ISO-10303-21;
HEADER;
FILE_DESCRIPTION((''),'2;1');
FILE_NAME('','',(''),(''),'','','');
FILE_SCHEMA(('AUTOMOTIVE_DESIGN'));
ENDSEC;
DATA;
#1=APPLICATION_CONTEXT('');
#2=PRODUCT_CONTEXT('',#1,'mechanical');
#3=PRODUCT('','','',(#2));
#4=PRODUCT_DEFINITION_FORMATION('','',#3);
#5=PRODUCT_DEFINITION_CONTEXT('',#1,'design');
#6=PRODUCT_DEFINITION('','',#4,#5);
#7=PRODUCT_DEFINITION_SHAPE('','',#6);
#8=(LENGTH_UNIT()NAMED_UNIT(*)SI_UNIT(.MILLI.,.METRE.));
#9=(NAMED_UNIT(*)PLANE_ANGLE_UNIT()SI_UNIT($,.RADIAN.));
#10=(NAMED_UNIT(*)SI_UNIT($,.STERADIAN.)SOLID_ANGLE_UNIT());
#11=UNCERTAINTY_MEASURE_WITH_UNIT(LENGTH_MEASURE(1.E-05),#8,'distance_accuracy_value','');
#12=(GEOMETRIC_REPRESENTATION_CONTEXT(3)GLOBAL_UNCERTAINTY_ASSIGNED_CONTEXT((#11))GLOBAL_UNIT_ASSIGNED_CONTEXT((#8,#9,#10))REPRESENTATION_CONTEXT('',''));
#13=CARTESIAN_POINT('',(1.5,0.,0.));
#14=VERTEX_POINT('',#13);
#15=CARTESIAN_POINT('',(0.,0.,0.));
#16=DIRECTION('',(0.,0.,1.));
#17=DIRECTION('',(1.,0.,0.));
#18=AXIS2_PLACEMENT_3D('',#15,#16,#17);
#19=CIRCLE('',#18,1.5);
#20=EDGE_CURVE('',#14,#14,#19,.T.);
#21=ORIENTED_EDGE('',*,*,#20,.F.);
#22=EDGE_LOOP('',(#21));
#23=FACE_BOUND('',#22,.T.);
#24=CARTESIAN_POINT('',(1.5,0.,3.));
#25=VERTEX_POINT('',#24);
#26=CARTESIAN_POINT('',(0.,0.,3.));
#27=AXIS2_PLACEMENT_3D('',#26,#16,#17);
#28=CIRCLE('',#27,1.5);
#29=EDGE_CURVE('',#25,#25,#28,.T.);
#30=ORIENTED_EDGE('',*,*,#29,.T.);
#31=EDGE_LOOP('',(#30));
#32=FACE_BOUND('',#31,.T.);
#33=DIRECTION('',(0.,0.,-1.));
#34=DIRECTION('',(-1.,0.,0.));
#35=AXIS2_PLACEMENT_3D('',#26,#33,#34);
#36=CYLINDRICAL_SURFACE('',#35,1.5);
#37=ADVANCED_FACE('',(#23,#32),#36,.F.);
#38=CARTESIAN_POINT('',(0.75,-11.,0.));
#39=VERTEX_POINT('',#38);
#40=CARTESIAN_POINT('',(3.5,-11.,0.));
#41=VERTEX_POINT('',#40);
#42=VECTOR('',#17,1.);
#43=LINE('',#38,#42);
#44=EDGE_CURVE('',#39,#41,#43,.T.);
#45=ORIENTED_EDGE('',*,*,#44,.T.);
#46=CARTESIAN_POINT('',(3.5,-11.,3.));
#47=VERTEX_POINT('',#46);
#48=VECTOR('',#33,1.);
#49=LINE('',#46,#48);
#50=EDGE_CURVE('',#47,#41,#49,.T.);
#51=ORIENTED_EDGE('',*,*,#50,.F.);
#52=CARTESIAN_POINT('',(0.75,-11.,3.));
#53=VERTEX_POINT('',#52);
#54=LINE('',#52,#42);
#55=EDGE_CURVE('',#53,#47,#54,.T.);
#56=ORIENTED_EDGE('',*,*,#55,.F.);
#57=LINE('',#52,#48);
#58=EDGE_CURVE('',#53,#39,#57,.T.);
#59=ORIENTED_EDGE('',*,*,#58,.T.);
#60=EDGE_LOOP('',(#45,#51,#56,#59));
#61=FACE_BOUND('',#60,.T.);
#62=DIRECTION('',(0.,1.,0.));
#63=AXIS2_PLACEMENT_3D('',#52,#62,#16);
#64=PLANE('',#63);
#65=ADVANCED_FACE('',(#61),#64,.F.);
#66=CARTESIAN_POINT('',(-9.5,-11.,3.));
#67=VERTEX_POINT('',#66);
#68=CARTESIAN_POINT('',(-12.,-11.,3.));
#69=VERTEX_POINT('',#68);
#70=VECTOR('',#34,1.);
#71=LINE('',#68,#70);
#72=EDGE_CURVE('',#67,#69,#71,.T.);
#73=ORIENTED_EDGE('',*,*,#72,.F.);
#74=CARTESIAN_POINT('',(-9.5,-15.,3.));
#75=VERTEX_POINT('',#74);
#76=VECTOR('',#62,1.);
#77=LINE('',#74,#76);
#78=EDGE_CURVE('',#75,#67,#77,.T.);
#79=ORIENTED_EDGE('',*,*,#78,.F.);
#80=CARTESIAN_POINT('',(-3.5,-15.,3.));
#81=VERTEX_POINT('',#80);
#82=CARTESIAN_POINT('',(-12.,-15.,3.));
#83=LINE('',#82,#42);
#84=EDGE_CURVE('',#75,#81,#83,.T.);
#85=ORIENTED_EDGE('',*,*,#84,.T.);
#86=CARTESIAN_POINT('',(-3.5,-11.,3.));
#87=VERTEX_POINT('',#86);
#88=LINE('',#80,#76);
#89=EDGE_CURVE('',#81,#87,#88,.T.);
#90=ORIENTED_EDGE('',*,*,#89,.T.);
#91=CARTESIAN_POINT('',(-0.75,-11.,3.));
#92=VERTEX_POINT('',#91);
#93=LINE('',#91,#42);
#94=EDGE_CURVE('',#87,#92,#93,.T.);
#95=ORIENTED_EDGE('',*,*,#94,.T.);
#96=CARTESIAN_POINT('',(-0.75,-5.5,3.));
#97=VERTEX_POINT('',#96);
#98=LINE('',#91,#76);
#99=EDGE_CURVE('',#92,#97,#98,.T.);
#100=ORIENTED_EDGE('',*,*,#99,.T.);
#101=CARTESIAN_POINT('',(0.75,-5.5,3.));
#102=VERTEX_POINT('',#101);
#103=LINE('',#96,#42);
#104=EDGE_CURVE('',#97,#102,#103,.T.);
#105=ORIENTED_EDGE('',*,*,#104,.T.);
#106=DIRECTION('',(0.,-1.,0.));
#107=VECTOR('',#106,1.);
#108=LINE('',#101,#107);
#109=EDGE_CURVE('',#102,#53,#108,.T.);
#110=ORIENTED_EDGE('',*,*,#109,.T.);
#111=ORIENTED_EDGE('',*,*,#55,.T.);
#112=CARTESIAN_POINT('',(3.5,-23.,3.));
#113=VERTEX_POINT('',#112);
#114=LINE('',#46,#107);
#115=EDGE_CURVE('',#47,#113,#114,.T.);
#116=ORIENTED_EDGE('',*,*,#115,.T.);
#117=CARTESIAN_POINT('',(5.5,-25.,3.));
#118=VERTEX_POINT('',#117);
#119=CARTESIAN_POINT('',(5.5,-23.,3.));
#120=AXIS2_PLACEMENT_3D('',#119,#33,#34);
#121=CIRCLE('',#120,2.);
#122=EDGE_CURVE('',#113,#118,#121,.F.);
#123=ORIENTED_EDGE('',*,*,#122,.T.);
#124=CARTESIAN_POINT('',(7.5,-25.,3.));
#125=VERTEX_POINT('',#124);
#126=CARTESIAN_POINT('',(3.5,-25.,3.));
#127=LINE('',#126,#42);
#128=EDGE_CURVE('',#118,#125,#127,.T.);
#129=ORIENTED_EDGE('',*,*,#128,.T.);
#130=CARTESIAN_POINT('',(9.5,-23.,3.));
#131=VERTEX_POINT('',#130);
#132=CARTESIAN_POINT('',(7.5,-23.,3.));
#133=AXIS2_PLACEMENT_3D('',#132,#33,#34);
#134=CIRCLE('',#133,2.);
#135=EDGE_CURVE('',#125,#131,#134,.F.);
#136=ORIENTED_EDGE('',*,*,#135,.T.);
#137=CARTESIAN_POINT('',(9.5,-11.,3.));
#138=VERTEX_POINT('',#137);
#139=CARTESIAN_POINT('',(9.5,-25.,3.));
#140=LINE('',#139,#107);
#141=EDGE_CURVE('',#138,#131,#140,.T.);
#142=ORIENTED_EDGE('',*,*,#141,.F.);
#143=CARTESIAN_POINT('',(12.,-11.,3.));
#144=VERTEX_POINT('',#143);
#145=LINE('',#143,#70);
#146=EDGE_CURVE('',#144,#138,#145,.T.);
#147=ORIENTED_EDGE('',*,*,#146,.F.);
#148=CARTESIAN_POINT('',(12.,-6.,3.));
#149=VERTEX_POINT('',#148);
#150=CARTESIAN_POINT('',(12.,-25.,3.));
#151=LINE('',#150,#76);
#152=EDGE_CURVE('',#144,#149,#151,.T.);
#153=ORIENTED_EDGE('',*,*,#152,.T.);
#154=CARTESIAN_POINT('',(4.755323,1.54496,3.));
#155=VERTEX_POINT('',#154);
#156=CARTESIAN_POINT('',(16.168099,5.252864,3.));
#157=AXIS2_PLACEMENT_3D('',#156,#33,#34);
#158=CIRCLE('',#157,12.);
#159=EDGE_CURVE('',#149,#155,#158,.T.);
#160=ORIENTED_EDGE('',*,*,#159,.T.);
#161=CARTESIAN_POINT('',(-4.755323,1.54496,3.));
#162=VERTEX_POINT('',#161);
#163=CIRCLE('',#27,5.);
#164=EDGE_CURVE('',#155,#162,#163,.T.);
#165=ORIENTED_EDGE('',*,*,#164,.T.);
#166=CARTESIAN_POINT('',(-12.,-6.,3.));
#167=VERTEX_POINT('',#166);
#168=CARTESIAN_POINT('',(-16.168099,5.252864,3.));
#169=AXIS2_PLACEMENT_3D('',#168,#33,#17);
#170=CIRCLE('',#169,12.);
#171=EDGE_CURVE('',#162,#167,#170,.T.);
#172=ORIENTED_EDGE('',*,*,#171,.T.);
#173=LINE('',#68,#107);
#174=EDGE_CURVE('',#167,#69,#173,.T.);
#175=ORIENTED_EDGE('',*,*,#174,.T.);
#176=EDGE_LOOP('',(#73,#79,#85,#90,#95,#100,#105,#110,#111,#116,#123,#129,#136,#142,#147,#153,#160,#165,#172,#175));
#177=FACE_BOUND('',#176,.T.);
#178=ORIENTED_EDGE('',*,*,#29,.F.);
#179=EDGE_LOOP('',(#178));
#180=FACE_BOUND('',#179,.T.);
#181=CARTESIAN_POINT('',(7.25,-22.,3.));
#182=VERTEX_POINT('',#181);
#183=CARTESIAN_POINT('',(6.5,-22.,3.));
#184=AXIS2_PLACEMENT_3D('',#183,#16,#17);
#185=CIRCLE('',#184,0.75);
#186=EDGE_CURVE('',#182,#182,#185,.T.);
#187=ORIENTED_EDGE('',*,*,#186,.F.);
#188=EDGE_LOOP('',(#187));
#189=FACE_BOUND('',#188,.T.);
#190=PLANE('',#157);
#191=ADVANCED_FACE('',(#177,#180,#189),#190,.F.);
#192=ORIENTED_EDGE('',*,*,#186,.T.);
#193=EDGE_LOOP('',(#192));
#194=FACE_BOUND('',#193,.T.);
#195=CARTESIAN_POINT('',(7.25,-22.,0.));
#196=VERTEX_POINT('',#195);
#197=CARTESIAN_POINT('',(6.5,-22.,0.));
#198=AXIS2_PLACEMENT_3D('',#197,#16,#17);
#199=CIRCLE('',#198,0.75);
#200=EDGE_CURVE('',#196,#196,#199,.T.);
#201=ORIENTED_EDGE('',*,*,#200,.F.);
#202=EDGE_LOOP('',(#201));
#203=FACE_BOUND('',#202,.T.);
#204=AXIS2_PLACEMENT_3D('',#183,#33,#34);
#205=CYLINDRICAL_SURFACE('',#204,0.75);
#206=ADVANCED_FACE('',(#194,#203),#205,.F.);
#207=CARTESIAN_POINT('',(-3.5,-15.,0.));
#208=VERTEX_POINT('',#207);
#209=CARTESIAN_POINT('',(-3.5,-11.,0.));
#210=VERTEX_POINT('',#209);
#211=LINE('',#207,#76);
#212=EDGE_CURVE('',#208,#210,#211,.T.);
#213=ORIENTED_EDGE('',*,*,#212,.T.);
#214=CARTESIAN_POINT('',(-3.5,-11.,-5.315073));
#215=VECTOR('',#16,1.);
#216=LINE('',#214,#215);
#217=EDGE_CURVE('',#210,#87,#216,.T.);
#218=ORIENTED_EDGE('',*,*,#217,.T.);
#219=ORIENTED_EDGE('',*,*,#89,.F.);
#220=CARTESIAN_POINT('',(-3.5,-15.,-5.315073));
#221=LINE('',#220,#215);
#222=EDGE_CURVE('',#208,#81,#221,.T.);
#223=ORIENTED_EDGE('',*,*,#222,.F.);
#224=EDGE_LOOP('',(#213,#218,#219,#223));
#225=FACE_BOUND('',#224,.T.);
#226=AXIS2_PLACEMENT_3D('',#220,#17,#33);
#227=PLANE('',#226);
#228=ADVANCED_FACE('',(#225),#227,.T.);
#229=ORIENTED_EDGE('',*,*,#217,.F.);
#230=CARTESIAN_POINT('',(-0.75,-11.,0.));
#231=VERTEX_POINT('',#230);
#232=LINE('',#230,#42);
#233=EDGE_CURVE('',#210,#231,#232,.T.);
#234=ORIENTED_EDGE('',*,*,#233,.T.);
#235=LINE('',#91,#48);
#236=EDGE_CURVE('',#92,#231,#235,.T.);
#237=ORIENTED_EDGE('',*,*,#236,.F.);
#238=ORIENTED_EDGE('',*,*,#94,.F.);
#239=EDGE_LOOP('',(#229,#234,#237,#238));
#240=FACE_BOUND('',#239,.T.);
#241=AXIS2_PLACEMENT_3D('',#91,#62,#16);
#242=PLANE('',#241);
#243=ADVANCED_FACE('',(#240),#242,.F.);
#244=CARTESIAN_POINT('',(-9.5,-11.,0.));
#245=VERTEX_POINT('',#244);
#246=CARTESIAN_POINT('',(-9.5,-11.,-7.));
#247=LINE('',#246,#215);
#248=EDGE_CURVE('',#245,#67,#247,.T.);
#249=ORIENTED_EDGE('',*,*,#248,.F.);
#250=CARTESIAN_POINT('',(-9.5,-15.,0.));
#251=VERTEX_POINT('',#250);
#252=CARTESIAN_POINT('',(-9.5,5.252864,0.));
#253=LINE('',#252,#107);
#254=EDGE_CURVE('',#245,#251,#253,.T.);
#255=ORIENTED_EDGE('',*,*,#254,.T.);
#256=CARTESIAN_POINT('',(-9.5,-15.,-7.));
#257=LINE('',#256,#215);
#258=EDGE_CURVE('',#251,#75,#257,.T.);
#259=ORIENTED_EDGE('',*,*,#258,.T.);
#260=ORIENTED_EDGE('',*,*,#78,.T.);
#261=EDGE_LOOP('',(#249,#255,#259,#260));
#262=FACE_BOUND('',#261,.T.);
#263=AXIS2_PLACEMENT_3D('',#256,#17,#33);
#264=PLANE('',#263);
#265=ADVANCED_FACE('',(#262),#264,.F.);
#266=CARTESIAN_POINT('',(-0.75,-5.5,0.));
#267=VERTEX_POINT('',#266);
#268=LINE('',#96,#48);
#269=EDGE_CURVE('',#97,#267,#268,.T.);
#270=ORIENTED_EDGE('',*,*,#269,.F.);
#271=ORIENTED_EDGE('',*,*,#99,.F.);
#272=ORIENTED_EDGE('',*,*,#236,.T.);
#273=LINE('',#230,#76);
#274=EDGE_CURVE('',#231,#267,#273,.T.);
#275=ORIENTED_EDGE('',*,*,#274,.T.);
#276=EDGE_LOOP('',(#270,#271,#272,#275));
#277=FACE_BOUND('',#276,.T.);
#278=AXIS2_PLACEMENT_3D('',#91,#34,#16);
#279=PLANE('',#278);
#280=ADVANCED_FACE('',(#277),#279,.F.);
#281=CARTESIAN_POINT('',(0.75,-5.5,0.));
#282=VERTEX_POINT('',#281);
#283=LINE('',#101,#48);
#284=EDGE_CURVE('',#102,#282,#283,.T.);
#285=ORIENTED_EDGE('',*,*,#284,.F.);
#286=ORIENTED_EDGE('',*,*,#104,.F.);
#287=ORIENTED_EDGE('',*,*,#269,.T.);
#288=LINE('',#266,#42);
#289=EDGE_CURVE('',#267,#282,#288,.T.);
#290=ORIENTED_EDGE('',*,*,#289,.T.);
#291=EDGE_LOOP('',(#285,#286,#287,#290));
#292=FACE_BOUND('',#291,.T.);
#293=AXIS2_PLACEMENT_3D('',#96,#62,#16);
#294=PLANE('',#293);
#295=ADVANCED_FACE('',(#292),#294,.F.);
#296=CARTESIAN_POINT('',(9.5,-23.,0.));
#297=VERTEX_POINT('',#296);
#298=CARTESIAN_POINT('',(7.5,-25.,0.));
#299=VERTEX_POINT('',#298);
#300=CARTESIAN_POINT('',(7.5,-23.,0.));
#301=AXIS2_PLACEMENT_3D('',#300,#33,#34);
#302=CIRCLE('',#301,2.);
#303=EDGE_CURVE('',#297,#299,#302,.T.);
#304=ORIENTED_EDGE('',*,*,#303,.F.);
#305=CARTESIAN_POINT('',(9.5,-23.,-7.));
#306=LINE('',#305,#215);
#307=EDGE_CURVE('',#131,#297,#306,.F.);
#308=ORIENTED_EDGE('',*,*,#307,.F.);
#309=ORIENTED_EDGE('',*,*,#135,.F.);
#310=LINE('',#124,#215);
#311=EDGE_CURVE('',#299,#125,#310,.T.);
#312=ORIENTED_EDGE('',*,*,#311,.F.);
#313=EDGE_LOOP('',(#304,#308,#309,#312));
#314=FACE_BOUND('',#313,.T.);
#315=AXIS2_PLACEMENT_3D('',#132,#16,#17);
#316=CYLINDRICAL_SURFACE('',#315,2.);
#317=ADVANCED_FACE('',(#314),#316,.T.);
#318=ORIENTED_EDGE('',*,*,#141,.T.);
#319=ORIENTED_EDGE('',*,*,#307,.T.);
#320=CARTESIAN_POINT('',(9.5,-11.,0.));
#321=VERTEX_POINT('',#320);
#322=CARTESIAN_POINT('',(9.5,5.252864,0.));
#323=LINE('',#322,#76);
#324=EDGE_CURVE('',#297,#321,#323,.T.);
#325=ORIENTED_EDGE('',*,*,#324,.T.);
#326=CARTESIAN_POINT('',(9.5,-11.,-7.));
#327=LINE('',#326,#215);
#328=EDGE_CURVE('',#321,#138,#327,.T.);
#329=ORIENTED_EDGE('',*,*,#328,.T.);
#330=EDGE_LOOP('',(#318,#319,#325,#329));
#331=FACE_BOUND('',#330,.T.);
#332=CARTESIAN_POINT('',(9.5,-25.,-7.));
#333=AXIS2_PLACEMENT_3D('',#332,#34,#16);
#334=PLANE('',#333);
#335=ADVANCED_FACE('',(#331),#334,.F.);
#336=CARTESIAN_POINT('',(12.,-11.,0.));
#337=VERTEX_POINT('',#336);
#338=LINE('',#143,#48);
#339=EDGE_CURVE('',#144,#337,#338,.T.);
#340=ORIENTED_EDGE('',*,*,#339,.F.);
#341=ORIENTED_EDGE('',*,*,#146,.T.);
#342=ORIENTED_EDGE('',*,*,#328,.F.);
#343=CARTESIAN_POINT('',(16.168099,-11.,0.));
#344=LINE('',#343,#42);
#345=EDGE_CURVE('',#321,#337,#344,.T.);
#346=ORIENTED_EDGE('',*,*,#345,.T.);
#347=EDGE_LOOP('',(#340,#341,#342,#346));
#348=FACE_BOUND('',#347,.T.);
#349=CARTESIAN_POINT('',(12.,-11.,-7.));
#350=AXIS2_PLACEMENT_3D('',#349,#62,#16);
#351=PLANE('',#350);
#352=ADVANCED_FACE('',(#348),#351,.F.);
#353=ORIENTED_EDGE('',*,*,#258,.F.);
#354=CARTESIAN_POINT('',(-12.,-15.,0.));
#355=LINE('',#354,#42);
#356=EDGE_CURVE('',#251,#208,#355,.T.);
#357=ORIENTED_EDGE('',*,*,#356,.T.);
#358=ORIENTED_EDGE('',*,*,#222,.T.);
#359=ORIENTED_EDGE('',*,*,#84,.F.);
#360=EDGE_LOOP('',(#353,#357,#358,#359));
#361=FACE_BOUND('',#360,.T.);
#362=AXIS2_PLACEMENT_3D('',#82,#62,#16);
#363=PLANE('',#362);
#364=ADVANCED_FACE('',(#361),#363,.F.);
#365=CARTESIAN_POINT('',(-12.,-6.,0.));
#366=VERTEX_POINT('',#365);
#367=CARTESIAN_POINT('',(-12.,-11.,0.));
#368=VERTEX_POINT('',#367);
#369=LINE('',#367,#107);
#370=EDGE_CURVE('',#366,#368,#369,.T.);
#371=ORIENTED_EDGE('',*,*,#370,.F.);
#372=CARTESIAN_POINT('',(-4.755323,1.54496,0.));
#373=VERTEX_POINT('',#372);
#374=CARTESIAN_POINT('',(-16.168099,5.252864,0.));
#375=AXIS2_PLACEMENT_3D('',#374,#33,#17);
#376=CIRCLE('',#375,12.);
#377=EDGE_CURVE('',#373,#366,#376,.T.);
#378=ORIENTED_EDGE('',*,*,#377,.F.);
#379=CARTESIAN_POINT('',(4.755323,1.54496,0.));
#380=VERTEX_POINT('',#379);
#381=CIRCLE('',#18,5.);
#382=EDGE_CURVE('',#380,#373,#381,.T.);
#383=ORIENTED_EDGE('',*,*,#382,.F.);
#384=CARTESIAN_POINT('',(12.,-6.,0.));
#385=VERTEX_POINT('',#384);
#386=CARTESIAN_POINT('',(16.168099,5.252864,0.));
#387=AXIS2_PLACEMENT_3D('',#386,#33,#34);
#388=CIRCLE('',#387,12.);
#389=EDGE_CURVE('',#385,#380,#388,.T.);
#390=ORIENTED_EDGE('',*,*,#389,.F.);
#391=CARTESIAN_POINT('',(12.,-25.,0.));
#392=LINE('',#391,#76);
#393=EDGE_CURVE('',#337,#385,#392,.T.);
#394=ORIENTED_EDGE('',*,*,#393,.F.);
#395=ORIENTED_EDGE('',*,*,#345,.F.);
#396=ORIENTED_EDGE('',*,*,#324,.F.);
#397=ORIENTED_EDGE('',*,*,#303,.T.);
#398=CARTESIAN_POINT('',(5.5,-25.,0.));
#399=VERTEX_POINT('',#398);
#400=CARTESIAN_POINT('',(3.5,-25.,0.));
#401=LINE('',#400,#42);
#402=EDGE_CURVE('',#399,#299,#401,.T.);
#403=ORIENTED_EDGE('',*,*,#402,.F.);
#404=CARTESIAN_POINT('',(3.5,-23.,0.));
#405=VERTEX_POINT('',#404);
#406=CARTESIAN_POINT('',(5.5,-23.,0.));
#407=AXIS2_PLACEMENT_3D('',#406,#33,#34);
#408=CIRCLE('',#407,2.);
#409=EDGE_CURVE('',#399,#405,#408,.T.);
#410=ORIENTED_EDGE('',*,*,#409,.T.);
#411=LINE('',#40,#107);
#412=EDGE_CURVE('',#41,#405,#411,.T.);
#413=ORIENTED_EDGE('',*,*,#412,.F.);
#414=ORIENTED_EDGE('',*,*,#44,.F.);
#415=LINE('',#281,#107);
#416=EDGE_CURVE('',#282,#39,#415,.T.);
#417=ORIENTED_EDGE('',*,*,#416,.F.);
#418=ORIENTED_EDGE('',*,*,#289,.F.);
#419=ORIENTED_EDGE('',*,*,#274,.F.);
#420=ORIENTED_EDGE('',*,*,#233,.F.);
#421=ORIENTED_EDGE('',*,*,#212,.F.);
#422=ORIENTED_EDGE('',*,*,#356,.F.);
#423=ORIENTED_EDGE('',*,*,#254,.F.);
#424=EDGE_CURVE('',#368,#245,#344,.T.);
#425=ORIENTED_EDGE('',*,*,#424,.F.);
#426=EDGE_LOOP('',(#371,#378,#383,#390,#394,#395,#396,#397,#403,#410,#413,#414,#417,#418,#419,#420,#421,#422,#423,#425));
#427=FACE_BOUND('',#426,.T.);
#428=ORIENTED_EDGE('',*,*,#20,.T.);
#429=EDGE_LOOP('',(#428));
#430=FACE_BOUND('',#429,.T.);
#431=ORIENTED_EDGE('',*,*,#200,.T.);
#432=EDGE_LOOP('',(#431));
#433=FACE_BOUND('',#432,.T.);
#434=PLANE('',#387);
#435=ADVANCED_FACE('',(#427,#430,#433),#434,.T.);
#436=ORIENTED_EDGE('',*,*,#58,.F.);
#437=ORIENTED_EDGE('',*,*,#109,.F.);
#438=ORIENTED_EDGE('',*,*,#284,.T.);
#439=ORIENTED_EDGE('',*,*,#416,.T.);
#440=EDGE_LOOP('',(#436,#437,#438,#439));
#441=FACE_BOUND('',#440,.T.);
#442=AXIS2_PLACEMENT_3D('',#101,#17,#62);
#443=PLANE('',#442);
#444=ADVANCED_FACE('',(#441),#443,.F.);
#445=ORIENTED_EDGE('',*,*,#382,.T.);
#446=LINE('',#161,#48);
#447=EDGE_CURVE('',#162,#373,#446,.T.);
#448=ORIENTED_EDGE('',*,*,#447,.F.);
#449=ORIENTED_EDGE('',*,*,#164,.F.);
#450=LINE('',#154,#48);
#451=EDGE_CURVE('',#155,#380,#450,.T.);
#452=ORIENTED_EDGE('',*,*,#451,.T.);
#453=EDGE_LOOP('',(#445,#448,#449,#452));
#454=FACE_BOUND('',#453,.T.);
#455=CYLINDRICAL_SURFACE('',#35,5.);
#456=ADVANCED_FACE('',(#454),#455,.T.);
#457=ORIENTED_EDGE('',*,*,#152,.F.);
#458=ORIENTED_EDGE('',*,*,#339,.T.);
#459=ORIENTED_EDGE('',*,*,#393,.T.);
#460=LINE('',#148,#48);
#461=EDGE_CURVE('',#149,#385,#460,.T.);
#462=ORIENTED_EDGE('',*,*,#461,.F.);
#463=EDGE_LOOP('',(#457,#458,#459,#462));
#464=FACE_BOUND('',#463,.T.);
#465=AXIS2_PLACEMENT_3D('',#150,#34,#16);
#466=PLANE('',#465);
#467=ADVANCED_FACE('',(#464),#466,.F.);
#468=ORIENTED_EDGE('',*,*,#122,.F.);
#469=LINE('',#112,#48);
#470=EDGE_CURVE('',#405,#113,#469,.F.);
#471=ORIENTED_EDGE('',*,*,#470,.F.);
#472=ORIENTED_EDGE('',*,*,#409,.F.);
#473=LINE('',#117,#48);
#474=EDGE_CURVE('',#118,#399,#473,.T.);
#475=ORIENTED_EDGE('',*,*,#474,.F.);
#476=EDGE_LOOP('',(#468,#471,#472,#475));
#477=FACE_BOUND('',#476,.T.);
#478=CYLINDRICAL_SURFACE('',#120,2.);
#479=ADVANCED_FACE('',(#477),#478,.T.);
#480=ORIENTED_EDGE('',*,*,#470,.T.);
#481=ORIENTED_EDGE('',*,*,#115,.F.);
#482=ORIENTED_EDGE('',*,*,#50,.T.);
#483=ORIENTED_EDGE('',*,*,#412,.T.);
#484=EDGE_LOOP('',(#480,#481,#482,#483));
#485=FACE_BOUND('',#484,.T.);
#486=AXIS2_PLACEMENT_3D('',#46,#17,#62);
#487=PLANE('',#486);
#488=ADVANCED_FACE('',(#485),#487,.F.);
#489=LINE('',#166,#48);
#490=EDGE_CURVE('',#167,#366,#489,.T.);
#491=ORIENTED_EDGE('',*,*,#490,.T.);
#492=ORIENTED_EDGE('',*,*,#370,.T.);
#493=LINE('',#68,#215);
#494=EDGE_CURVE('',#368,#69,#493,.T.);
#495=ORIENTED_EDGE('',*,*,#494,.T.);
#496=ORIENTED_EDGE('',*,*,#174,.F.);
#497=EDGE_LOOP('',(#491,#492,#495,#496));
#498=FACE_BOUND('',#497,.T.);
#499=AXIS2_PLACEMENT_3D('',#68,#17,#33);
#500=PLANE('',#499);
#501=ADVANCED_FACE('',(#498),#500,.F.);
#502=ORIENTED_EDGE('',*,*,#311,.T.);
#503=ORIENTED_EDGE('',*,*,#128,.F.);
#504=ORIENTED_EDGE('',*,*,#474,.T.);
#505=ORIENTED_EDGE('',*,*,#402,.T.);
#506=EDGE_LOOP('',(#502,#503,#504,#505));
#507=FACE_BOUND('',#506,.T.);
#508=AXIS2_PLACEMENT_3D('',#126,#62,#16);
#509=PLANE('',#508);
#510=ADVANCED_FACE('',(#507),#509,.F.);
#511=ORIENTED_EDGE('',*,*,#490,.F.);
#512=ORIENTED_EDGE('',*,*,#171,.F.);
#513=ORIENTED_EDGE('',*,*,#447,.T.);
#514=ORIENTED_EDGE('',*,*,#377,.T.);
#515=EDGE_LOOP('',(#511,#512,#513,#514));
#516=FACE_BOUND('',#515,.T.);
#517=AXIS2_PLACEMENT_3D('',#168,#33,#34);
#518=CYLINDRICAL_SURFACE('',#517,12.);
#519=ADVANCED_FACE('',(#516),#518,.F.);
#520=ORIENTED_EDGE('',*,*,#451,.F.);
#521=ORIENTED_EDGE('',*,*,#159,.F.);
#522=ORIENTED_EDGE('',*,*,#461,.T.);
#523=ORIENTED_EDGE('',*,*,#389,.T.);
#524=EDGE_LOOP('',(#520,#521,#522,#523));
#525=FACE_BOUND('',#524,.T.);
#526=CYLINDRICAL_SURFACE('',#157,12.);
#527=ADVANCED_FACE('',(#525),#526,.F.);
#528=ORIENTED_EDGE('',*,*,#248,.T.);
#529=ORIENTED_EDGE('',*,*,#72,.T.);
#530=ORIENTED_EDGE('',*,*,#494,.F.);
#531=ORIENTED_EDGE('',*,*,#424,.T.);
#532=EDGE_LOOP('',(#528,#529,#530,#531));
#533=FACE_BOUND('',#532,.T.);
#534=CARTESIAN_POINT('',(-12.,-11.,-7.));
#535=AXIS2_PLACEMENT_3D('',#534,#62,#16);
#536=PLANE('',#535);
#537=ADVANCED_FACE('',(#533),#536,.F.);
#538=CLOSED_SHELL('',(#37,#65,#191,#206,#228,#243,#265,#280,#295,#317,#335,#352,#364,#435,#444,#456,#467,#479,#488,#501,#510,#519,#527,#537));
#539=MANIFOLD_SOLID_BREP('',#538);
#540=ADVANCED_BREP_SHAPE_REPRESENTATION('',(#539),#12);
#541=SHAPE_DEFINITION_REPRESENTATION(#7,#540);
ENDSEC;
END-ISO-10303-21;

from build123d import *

# Parameters (mm, degrees)
SKETCH1_R           = 1.5
SKETCH1_R_2         = 0.75
BOSS_EXTRUDE1_DEPTH = 3
SKETCH2_W           = 2.5
SKETCH2_H           = 4
CUT_EXTRUDE1_DEPTH  = 10
SKETCH3_W           = 3.5
SKETCH3_H           = 4
BOSS_EXTRUDE2_DEPTH = 3
SKETCH4_W           = 2.5
SKETCH4_H           = 14
CUT_EXTRUDE2_DEPTH  = 10
FILLET1_R           = 2


with BuildPart() as part:
    # Sketch1 → Boss-Extrude1 (new body)
    with BuildSketch(Plane.XY):
        with BuildLine():
            Line((-0.75, -11), (-7, -11))
            Line((-7, -11), (-7, -15))
            Line((-7, -15), (-12, -15))
            Line((-12, -15), (-12, -11))
            Line((-12, -11), (-12, -6))
            ThreePointArc((-12, -6), (-7.512319363, -3.05842228), (-4.755323166, 1.544960058))
            ThreePointArc((-4.755323166, 1.544960058), (0, 5), (4.755323166, 1.544960058))
            ThreePointArc((4.755323166, 1.544960058), (7.512319363, -3.05842228), (12, -6))
            Line((12, -6), (12, -25))
            Line((12, -25), (3.5, -25))
            Line((3.5, -25), (3.5, -11))
            Line((3.5, -11), (0.75, -11))
            Line((0.75, -11), (0.75, -5.5))
            Line((0.75, -5.5), (-0.75, -5.5))
            Line((-0.75, -5.5), (-0.75, -11))
        make_face()
        Circle(SKETCH1_R, mode=Mode.SUBTRACT)
        with Locations((6.5, -22)):
            Circle(SKETCH1_R_2, mode=Mode.SUBTRACT)
    extrude(amount=BOSS_EXTRUDE1_DEPTH)

    # Sketch2 → Cut-Extrude1 (cut)
    with BuildSketch(Plane.XY.offset(3)):
        with Locations((-10.75, -13)):
            Rectangle(SKETCH2_W, SKETCH2_H)
    extrude(amount=-CUT_EXTRUDE1_DEPTH, mode=Mode.SUBTRACT)

    # Sketch3 → Boss-Extrude2 (add)
    with BuildSketch(Plane.XY.offset(3)):
        with Locations((-5.25, -13)):
            Rectangle(SKETCH3_W, SKETCH3_H)
    extrude(amount=-BOSS_EXTRUDE2_DEPTH)

    # Sketch4 → Cut-Extrude2 (cut)
    with BuildSketch(Plane.XY.offset(3)):
        with Locations((10.75, -18)):
            Rectangle(SKETCH4_W, SKETCH4_H)
    extrude(amount=-CUT_EXTRUDE2_DEPTH, mode=Mode.SUBTRACT)

    # Fillet1
    fillet1_edges = [part.edges().sort_by_distance(p)[0] for p in [
        (3.5, -25, 1.5),
        (9.5, -25, 1.5),
    ]]
    fillet(fillet1_edges, radius=FILLET1_R)


solid = part.part
